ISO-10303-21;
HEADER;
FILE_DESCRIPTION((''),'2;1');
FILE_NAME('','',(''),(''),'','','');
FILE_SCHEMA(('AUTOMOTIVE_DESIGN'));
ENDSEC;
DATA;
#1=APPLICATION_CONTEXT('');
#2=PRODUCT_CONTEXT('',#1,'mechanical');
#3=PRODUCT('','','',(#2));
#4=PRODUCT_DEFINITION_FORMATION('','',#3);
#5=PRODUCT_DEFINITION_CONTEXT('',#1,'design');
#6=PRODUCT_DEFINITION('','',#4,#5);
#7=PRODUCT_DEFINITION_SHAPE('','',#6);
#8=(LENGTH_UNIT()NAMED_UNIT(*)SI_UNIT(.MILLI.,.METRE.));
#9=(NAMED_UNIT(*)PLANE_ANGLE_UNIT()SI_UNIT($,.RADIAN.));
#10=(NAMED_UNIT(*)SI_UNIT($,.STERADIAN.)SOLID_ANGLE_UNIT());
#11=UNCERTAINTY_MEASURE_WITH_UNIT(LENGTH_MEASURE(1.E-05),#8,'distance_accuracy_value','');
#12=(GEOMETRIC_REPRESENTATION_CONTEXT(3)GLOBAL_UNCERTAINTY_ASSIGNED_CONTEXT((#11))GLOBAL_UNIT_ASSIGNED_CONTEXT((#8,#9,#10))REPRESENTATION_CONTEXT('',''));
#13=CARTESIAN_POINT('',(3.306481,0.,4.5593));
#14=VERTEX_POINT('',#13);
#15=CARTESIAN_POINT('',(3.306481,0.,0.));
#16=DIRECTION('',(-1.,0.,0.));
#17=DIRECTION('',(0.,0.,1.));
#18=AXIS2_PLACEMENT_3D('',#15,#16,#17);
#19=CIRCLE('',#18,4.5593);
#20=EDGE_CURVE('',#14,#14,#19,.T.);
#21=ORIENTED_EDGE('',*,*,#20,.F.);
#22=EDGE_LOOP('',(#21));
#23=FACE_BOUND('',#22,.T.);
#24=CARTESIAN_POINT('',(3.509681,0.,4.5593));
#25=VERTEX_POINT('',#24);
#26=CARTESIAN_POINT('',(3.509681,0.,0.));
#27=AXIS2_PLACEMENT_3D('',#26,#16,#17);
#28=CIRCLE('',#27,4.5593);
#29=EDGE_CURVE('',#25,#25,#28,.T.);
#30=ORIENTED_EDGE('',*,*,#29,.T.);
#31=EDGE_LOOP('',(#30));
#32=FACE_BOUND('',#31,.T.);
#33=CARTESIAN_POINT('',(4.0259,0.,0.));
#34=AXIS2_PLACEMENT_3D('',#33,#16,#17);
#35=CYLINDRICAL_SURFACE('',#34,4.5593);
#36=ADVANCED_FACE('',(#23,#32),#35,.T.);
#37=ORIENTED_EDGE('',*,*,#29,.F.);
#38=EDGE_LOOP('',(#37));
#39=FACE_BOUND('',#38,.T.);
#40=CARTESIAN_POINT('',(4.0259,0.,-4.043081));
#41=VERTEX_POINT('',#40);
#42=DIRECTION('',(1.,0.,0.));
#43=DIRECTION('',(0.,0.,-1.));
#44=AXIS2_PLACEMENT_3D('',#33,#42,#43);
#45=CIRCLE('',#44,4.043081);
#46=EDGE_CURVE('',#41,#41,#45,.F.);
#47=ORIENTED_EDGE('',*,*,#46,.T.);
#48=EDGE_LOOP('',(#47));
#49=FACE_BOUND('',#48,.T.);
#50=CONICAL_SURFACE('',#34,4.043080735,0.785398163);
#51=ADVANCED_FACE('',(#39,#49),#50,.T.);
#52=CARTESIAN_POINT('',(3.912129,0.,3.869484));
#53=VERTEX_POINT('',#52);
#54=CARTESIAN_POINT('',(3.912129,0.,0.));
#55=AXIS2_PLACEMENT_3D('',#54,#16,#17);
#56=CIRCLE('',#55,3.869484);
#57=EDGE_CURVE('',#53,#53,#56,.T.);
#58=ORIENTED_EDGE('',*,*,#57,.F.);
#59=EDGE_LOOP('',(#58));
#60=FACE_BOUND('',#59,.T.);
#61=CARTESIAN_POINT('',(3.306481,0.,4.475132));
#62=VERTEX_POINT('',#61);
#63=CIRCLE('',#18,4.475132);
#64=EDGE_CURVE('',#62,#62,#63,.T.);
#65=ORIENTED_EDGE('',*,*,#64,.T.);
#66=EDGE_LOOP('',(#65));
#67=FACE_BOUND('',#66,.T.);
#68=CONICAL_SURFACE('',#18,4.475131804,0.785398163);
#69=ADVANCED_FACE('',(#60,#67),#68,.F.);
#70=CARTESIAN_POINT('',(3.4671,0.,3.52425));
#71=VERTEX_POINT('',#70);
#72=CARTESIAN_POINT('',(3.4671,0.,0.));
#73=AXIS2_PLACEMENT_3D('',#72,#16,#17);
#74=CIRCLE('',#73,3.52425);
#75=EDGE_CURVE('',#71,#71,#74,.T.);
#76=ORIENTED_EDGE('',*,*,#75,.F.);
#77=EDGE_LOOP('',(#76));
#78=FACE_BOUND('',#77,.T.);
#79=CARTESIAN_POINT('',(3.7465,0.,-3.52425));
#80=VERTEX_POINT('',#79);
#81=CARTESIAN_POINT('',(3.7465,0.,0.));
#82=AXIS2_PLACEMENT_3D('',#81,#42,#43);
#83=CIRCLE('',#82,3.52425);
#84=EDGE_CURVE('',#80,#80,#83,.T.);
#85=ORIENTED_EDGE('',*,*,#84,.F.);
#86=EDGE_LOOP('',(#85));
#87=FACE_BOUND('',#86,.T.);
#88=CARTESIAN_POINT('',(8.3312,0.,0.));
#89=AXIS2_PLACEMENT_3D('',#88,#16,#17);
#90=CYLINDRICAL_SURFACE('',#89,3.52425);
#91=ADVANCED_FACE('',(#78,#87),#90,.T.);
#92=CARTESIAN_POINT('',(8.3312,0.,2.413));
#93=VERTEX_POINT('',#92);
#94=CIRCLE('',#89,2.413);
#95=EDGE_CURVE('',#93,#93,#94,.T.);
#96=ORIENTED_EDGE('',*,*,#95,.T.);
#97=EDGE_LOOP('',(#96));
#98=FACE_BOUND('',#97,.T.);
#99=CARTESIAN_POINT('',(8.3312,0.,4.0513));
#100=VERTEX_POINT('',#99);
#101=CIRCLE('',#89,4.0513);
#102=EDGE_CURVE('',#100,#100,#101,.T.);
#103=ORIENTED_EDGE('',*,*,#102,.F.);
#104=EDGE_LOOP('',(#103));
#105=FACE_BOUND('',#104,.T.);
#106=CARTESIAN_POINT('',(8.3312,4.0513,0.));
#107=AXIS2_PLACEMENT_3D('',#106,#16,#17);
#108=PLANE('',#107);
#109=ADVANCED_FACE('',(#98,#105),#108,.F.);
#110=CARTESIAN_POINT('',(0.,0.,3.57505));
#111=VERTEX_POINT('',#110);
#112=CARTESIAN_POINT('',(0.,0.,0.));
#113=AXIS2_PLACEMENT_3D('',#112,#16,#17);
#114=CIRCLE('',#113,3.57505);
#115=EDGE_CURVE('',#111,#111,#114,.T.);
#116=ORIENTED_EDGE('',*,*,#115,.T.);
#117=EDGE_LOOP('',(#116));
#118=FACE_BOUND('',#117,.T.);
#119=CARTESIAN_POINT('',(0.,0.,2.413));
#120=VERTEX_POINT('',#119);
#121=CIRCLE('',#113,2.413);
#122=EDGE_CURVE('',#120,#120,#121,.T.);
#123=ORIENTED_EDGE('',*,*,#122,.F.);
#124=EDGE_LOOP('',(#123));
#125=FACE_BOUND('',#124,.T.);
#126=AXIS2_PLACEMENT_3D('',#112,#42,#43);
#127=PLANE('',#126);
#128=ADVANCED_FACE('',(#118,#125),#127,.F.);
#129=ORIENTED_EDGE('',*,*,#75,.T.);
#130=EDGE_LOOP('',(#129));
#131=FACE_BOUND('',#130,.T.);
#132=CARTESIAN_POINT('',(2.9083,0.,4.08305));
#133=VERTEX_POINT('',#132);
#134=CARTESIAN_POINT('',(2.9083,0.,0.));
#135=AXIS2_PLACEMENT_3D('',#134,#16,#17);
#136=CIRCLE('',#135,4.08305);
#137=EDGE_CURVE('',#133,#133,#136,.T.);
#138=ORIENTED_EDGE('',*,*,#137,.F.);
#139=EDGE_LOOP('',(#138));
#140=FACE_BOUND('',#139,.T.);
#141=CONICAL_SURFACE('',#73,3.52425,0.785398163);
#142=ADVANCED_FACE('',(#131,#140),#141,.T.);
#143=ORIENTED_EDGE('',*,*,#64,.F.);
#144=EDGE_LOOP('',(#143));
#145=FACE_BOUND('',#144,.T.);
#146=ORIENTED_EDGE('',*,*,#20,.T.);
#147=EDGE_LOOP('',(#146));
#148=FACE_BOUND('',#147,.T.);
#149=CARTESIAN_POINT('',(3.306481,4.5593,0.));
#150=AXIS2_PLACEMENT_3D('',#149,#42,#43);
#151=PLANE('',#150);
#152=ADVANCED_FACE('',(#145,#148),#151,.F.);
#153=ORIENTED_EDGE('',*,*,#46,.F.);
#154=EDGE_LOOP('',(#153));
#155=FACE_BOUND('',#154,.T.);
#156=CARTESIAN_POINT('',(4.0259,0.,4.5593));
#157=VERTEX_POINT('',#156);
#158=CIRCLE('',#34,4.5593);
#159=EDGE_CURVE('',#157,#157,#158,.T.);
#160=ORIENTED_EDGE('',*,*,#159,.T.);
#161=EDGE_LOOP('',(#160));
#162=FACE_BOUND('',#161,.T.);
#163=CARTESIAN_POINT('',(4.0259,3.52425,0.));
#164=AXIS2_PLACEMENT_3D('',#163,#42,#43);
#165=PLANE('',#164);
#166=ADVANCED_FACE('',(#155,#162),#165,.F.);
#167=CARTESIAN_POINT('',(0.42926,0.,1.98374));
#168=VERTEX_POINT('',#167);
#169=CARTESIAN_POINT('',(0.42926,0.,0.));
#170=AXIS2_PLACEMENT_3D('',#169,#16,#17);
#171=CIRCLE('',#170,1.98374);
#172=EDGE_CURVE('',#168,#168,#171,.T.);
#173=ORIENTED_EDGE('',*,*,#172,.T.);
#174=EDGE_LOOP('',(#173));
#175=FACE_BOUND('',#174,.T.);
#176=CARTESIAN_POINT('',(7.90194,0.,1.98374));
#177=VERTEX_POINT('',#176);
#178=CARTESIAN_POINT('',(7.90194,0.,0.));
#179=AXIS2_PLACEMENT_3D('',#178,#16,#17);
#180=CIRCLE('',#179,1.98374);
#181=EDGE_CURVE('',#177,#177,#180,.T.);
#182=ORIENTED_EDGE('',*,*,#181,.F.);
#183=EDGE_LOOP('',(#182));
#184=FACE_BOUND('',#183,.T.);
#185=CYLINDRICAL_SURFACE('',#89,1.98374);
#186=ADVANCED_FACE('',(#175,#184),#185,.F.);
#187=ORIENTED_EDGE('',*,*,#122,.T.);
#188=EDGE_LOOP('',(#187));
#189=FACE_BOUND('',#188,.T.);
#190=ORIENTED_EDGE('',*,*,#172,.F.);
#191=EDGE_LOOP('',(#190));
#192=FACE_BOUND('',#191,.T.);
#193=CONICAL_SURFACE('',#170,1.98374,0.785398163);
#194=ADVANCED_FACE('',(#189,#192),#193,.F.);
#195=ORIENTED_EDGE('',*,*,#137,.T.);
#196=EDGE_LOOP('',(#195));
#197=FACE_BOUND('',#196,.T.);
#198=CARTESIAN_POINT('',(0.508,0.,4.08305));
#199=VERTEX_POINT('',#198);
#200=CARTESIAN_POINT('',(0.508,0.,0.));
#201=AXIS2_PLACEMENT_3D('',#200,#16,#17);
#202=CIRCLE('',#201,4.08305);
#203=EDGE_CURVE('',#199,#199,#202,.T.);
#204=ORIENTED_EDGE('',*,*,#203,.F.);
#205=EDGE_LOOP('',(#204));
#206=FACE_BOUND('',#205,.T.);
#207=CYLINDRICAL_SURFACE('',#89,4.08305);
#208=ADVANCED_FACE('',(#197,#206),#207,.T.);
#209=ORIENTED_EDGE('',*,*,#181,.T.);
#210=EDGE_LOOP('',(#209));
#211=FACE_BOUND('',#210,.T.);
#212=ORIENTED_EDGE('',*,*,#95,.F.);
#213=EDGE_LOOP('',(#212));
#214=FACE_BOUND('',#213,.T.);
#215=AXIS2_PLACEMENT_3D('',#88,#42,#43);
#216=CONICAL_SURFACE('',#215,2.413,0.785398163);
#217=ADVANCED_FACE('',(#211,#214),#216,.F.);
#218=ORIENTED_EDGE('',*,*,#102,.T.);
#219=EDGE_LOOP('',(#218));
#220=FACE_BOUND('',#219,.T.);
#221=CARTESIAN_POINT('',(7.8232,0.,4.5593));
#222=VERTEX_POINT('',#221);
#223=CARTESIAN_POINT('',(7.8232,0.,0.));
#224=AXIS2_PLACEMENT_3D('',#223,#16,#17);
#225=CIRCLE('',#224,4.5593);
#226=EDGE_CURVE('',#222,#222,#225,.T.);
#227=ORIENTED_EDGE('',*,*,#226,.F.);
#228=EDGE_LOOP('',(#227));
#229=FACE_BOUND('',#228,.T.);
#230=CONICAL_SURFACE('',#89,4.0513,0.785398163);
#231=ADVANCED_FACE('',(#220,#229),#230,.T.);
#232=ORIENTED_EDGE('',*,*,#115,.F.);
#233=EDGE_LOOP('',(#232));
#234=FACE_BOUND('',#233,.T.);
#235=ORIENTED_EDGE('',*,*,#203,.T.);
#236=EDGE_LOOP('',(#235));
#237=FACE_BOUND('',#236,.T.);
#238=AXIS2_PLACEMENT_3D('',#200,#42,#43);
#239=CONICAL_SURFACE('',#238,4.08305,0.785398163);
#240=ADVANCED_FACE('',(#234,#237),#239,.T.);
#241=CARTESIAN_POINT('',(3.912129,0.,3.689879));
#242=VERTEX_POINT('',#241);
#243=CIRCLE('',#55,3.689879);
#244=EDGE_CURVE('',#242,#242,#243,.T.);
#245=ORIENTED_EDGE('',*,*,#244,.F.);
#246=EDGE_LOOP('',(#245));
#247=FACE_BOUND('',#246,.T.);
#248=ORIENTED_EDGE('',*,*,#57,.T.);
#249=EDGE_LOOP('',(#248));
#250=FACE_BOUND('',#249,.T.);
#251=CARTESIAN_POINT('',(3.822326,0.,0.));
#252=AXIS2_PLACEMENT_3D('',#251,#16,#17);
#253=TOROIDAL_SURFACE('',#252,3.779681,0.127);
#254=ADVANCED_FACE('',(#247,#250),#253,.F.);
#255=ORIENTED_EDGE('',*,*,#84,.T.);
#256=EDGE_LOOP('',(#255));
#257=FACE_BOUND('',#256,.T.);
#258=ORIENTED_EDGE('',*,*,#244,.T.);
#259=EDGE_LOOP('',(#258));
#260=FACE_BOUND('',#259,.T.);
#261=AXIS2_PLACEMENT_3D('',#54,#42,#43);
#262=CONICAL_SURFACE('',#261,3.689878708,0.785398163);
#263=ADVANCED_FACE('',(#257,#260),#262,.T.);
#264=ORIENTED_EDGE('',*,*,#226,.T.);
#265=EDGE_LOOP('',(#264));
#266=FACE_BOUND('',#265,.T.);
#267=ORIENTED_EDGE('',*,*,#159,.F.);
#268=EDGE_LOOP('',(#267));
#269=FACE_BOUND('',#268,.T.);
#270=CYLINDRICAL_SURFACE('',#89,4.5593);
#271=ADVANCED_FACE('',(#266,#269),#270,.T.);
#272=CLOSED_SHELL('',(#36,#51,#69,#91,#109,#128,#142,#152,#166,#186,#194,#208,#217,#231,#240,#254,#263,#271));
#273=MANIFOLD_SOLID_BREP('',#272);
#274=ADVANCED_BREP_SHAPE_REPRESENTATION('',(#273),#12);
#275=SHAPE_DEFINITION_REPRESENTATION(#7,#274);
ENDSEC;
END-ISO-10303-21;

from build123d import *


with BuildPart() as part:
    # Sketch1 → Revolve1 (revolve)
    with BuildSketch(Plane.XY):
        Polygon((0, 0), (0, 3.57505), (0.508, 4.08305), (2.9083, 4.08305), (3.4671, 3.52425), (4.0259, 3.52425), (4.0259, 4.5593), (7.8232, 4.5593), (8.3312, 4.0513), (8.3312, 0), align=None)
    revolve(axis=Axis((8.3312, 0, 0), (-1, 0, 0)))

    # Sketch2 → Cut-Revolve1 (revolve, cut)
    with BuildSketch(Plane.XY):
        Polygon((0, 0), (0, 2.413), (0.42926, 1.98374), (7.90194, 1.98374), (8.3312, 2.413), (8.3312, 0), align=None)
    revolve(axis=Axis((8.3312, 0, 0), (-1, 0, 0)), mode=Mode.SUBTRACT)

    # Sketch3 → Revolve2 (revolve)
    with BuildSketch(Plane.XY):
        with BuildLine():
            Line((3.306480735, 4.475131804), (3.912128708, 3.869483831))
            ThreePointArc((3.912128708, 3.869483831), (3.949326147, 3.779681269), (3.912128708, 3.689878708))
            Line((3.912128708, 3.689878708), (3.7465, 3.52425))
            Line((3.7465, 3.52425), (3.4671, 3.52425))
            Line((3.4671, 3.52425), (3.4671, 3.27025))
            Line((3.4671, 3.27025), (4.0259, 3.27025))
            Line((4.0259, 3.27025), (4.0259, 4.043080735))
            Line((4.0259, 4.043080735), (3.509680735, 4.5593))
            Line((3.509680735, 4.5593), (3.306480735, 4.5593))
            Line((3.306480735, 4.5593), (3.306480735, 4.475131804))
        make_face()
    revolve(axis=Axis((4.0259, 0, 0), (-1, 0, 0)))


solid = part.part
